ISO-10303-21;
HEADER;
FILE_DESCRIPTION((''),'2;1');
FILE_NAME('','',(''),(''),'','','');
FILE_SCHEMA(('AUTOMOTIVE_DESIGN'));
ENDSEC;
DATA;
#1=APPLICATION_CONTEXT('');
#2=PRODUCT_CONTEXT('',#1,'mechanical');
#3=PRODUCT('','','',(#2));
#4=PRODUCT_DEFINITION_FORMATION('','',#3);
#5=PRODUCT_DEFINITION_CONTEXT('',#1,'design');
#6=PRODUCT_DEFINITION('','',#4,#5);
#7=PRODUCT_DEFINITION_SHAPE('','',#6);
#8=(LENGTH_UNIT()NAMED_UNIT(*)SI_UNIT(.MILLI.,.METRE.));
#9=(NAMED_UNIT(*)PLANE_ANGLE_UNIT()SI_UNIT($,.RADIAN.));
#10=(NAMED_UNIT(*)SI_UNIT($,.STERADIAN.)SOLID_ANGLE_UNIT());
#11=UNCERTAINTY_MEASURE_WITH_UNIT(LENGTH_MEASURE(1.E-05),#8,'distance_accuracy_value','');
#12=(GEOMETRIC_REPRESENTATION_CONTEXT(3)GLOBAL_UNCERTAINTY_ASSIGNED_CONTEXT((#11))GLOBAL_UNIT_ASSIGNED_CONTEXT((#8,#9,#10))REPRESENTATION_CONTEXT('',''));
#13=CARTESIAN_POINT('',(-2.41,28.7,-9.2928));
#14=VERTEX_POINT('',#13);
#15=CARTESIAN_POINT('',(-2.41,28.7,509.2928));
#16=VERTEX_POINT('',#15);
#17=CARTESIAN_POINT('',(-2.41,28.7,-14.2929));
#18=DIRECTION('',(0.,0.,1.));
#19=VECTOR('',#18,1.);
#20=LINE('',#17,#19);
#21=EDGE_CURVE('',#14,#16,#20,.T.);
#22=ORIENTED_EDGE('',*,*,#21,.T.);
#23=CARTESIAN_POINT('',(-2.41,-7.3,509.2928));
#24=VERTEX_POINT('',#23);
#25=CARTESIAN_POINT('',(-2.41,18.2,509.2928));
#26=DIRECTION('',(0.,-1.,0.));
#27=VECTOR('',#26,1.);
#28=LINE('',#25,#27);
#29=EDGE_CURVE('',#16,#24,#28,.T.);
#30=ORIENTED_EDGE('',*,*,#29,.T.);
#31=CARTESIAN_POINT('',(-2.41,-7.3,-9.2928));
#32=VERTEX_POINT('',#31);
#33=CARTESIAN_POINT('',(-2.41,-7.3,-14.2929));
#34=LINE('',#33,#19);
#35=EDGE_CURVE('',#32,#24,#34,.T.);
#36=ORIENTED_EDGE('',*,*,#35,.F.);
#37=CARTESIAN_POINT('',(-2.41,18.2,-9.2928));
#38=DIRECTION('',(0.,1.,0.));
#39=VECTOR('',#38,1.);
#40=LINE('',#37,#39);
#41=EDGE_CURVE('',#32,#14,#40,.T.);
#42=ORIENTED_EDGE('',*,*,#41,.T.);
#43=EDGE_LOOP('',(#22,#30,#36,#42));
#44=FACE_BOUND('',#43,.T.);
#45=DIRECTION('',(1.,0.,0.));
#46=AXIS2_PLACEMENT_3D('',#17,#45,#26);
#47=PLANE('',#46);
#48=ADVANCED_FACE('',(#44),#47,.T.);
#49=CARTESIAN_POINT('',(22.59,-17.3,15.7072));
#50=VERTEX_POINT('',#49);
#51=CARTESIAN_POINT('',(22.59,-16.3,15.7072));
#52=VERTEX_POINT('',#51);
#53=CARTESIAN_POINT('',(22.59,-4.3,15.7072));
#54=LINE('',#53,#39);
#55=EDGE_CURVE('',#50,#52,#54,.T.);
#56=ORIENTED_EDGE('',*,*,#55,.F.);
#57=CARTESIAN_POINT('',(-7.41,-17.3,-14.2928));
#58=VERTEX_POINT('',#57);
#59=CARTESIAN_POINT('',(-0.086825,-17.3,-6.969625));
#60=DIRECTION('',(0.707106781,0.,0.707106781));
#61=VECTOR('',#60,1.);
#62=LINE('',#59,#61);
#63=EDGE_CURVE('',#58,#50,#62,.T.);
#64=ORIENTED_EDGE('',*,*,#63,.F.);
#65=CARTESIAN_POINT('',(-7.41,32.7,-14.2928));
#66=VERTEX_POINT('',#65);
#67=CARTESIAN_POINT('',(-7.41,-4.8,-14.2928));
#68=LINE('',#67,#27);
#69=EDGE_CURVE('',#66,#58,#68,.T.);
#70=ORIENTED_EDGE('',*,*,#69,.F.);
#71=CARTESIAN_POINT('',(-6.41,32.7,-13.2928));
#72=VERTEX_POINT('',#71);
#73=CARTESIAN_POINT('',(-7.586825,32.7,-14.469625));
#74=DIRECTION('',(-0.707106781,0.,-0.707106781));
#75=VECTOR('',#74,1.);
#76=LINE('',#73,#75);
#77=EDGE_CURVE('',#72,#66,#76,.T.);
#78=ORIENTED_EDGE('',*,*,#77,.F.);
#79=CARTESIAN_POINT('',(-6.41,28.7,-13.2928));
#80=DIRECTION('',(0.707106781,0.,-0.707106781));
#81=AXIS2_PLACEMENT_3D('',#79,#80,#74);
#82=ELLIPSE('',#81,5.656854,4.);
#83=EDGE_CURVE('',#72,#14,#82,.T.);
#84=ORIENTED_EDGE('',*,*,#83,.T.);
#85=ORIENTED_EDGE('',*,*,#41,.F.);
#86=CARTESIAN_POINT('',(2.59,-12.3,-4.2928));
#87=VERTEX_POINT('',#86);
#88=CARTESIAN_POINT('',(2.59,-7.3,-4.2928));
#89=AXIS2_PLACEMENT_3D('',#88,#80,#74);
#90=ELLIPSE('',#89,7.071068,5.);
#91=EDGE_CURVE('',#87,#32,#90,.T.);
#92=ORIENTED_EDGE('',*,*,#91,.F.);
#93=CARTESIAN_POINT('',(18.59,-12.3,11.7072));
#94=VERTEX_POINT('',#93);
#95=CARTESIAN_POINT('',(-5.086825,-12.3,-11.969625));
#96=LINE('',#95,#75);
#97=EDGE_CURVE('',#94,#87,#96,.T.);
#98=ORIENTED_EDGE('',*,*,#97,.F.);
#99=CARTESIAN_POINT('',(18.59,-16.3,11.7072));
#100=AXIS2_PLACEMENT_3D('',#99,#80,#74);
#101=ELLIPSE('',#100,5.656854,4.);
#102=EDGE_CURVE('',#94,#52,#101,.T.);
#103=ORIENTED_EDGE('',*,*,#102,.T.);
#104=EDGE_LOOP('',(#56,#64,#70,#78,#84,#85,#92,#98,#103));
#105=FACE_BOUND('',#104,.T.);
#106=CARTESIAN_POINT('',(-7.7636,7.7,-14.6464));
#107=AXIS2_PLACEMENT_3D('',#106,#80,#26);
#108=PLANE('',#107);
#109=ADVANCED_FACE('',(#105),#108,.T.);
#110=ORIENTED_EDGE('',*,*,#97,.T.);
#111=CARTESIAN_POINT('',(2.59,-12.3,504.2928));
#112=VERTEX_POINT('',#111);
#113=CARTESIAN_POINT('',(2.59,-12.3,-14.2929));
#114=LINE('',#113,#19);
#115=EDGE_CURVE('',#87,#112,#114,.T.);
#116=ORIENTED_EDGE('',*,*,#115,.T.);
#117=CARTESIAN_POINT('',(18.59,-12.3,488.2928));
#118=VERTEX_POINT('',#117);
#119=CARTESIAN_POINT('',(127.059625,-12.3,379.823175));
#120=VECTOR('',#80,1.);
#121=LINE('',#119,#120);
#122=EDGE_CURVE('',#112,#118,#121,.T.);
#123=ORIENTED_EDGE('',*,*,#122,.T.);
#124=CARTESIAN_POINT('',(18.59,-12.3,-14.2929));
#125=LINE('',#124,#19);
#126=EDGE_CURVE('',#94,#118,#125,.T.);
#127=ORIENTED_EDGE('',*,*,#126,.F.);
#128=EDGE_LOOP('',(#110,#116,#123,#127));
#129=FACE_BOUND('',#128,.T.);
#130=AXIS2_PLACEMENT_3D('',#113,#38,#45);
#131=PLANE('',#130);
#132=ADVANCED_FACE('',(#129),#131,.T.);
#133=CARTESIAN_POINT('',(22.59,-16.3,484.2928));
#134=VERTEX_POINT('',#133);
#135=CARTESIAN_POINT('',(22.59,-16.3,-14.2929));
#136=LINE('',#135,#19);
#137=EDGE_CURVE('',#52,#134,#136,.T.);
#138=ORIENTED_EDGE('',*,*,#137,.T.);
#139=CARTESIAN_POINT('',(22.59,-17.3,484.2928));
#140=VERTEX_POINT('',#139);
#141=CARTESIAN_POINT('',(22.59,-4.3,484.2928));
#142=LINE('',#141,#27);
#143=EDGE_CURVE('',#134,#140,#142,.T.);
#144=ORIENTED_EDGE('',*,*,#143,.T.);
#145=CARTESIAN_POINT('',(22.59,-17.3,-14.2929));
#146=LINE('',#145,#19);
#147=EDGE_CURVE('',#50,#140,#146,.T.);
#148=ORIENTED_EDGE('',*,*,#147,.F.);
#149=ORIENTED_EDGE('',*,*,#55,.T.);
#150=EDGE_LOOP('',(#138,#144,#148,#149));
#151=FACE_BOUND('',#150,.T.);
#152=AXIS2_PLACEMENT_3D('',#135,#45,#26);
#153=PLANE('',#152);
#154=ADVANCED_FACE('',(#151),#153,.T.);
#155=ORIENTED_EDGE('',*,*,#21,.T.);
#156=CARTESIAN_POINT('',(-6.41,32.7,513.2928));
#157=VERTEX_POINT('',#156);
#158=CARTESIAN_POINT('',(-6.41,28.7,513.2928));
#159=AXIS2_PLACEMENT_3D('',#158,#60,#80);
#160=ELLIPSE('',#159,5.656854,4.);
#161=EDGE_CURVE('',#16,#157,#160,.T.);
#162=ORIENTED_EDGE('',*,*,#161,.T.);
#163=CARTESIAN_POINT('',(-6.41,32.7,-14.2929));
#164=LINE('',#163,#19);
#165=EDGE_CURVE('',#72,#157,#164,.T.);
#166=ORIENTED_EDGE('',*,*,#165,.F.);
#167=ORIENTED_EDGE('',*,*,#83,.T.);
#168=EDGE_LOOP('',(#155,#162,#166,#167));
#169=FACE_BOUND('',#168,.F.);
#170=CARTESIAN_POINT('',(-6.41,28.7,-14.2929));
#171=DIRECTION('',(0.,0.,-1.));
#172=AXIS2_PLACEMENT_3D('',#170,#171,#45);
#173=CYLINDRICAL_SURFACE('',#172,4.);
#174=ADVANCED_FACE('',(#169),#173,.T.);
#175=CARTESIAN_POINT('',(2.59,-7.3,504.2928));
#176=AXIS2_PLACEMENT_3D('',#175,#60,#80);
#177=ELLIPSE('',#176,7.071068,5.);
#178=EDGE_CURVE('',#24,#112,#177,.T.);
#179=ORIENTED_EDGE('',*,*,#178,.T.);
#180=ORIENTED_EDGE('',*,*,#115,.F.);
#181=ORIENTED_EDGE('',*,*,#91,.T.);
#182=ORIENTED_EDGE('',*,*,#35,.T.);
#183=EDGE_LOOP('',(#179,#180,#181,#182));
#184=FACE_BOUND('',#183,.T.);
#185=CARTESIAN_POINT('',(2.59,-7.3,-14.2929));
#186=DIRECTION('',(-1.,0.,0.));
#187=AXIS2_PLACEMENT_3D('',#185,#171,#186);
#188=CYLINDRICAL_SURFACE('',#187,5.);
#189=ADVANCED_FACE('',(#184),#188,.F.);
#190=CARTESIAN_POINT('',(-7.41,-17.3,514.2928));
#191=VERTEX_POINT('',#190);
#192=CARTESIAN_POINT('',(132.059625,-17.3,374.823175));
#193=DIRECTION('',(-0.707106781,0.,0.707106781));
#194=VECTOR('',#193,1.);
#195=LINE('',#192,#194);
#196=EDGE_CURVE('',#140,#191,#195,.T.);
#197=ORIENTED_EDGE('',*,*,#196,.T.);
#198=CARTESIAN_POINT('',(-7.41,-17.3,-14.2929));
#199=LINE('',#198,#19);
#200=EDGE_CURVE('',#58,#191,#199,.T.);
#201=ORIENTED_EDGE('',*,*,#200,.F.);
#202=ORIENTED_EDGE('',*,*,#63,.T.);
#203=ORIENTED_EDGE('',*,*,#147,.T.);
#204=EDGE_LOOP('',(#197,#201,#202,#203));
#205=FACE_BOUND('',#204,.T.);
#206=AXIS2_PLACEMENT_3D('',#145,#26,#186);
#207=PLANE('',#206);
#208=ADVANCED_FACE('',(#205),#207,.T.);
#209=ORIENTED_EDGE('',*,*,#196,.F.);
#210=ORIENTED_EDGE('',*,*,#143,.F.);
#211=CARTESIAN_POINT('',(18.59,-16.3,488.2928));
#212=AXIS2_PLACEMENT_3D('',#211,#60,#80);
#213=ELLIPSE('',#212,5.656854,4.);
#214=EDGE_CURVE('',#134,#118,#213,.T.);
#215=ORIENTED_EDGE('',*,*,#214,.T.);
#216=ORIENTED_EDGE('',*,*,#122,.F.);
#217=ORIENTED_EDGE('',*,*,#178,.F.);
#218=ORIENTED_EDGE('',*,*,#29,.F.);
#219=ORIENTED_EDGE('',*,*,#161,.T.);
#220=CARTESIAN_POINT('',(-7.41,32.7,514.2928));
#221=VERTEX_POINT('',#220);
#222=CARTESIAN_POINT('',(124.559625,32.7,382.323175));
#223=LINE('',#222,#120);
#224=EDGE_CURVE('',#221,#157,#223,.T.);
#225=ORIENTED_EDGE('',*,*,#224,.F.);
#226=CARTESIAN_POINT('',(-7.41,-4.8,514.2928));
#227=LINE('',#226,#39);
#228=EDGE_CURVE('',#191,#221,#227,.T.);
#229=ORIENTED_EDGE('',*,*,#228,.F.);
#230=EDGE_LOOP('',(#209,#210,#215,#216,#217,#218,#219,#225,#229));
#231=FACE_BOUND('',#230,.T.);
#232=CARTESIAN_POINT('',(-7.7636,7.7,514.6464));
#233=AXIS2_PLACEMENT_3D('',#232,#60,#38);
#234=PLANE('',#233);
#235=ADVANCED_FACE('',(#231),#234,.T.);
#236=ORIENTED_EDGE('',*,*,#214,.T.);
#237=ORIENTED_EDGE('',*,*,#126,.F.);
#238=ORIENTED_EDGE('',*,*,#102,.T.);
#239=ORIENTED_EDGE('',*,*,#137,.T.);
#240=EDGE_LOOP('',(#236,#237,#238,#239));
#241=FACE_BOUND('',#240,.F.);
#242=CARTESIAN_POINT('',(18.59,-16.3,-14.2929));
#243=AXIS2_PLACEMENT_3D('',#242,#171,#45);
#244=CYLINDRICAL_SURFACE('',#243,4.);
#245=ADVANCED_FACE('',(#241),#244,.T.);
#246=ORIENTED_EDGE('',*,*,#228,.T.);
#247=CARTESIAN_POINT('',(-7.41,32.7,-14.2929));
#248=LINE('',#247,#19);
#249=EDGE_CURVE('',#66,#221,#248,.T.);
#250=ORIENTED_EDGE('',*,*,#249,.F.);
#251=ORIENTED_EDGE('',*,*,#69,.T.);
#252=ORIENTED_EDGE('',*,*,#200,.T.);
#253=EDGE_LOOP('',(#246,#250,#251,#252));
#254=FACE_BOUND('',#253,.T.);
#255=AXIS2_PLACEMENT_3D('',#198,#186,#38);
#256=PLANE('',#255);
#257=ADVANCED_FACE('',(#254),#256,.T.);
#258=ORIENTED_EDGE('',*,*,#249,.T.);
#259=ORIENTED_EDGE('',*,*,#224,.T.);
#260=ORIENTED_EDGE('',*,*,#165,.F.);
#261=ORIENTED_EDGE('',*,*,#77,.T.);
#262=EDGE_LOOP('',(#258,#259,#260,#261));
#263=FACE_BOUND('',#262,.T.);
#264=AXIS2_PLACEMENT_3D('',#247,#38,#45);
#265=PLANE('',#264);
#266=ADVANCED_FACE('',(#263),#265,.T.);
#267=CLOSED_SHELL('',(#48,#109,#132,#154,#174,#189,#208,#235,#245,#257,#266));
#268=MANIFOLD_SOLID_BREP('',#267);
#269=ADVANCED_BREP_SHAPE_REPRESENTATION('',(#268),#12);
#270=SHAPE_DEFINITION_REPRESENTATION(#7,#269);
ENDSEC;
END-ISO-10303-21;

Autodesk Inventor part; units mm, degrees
ref_plane "Start Plane" through (0, 0, -14.2929) normal (0, 0, 1) x (1, 0, 0)
ref_plane "End Plane" through (0, 0, 514.2929) normal (0, 0, 1) x (1, 0, 0)
sketch "Sketch" plane through (0, 0, 0) normal (0, 0, 1) x (1, 0, 0)
  line L0 (-2.41, 28.7) -> (-2.41, -7.3)
  line L1 (-7.41, 32.7) -> (-6.41, 32.7)
  line L2 (-7.41, -17.3) -> (-7.41, 32.7)
  line L3 (22.59, -17.3) -> (-7.41, -17.3)
  line L4 (22.59, -16.3) -> (22.59, -17.3)
  line L5 (2.59, -12.3) -> (18.59, -12.3)
  arc A0 (-2.41, -7.3) -> (2.59, -12.3) centre (2.59, -7.3) ccw
  arc A1 (-2.41, 28.7) -> (-6.41, 32.7) centre (-6.41, 28.7) ccw
  arc A2 (22.59, -16.3) -> (18.59, -12.3) centre (18.59, -16.3) ccw
  line L6 (0, 43.6941) -> (0, -27.4657) construction
  line L7 (-13.5757, 0) -> (29.5841, 0) construction
  point P0 (-2.41, 32.7)
  point P1 (-2.41, -12.3)
  point P2 (22.59, -12.3)
  dimension "d4" = 30
  dimension "d6" = 50
  dimension "d8" = 5
  dimension "d10" = 5
  dimension "d17" = 5
  dimension "d18" = 4
  dimension "d19" = 17.3
  dimension "d20" = 7.41
extrude "Body" add sketch "Sketch" along normal up to surface (528.5858 mm away) from surface at -14.2929
sketch "Sketch3" plane through (0, 0, 0) normal (0, 0, 1) x (1, 0, 0)
  line L0 (0, 0) -> (10, 0)
ref_plane "Work Plane10" through (0, 0, 0) normal (0, -1, 0) x (1, 0, 0)
sketch "Sketch4" plane through (0, 0, 0) normal (0, -1, 0) x (1, 0, 0)
  line L0 (-2, -14.2929) -> (12, -14.2929)
  line L1 (-2, 514.2929) -> (12, 514.2929)
  dimension "d24" = 528.5858
ref_plane "Work Plane11" through (-7.7636, 7.7, 514.6464) normal (0.7071, 0, 0.7071) x (0.7071, 0, -0.7071)
split "Split1" plane through (-7.7636, 7.7, 514.6464) removes the side toward (0.7071, 0, 0.7071)
ref_plane "Work Plane12" through (-7.7636, 7.7, -14.6464) normal (0.7071, 0, -0.7071) x (-0.7071, 0, -0.7071)
split "Split2" plane through (-7.7636, 7.7, -14.6464) removes the side toward (0.7071, 0, -0.7071)
equation "\"d4\" = b"
equation "\"d6\" = ParH"
equation "\"d8\" = ParT"
equation "\"d10\" = ParT"
equation "\"d17\" = R"
equation "\"d18\" = R1"
equation "\"d19\" = ex"
equation "\"d20\" = ey"
equation "\"d11\" = G_L"
equation "\"b\" = 30"
equation "\"ParT\" = 5"
equation "\"R1\" = 4"
equation "\"G_L\" = d24"
equation "\"ParH\" = 50"
equation "\"R\" = 5"
equation "\"ey\" = 7.41"
equation "\"ex\" = 17.3"
equation "\"G_OFFSET_START\" = 14.29289"
equation "\"G_OFFSET_END\" = 14.29289"
equation "\"d21\" = -G_OFFSET_START"
equation "\"d22\" = G_OFFSET_END + B_L"
equation "\"B_L\" = 500"
properties part number "ISO 657-2 - 50x 30x 5-528.59" material "Steel, Mild"
